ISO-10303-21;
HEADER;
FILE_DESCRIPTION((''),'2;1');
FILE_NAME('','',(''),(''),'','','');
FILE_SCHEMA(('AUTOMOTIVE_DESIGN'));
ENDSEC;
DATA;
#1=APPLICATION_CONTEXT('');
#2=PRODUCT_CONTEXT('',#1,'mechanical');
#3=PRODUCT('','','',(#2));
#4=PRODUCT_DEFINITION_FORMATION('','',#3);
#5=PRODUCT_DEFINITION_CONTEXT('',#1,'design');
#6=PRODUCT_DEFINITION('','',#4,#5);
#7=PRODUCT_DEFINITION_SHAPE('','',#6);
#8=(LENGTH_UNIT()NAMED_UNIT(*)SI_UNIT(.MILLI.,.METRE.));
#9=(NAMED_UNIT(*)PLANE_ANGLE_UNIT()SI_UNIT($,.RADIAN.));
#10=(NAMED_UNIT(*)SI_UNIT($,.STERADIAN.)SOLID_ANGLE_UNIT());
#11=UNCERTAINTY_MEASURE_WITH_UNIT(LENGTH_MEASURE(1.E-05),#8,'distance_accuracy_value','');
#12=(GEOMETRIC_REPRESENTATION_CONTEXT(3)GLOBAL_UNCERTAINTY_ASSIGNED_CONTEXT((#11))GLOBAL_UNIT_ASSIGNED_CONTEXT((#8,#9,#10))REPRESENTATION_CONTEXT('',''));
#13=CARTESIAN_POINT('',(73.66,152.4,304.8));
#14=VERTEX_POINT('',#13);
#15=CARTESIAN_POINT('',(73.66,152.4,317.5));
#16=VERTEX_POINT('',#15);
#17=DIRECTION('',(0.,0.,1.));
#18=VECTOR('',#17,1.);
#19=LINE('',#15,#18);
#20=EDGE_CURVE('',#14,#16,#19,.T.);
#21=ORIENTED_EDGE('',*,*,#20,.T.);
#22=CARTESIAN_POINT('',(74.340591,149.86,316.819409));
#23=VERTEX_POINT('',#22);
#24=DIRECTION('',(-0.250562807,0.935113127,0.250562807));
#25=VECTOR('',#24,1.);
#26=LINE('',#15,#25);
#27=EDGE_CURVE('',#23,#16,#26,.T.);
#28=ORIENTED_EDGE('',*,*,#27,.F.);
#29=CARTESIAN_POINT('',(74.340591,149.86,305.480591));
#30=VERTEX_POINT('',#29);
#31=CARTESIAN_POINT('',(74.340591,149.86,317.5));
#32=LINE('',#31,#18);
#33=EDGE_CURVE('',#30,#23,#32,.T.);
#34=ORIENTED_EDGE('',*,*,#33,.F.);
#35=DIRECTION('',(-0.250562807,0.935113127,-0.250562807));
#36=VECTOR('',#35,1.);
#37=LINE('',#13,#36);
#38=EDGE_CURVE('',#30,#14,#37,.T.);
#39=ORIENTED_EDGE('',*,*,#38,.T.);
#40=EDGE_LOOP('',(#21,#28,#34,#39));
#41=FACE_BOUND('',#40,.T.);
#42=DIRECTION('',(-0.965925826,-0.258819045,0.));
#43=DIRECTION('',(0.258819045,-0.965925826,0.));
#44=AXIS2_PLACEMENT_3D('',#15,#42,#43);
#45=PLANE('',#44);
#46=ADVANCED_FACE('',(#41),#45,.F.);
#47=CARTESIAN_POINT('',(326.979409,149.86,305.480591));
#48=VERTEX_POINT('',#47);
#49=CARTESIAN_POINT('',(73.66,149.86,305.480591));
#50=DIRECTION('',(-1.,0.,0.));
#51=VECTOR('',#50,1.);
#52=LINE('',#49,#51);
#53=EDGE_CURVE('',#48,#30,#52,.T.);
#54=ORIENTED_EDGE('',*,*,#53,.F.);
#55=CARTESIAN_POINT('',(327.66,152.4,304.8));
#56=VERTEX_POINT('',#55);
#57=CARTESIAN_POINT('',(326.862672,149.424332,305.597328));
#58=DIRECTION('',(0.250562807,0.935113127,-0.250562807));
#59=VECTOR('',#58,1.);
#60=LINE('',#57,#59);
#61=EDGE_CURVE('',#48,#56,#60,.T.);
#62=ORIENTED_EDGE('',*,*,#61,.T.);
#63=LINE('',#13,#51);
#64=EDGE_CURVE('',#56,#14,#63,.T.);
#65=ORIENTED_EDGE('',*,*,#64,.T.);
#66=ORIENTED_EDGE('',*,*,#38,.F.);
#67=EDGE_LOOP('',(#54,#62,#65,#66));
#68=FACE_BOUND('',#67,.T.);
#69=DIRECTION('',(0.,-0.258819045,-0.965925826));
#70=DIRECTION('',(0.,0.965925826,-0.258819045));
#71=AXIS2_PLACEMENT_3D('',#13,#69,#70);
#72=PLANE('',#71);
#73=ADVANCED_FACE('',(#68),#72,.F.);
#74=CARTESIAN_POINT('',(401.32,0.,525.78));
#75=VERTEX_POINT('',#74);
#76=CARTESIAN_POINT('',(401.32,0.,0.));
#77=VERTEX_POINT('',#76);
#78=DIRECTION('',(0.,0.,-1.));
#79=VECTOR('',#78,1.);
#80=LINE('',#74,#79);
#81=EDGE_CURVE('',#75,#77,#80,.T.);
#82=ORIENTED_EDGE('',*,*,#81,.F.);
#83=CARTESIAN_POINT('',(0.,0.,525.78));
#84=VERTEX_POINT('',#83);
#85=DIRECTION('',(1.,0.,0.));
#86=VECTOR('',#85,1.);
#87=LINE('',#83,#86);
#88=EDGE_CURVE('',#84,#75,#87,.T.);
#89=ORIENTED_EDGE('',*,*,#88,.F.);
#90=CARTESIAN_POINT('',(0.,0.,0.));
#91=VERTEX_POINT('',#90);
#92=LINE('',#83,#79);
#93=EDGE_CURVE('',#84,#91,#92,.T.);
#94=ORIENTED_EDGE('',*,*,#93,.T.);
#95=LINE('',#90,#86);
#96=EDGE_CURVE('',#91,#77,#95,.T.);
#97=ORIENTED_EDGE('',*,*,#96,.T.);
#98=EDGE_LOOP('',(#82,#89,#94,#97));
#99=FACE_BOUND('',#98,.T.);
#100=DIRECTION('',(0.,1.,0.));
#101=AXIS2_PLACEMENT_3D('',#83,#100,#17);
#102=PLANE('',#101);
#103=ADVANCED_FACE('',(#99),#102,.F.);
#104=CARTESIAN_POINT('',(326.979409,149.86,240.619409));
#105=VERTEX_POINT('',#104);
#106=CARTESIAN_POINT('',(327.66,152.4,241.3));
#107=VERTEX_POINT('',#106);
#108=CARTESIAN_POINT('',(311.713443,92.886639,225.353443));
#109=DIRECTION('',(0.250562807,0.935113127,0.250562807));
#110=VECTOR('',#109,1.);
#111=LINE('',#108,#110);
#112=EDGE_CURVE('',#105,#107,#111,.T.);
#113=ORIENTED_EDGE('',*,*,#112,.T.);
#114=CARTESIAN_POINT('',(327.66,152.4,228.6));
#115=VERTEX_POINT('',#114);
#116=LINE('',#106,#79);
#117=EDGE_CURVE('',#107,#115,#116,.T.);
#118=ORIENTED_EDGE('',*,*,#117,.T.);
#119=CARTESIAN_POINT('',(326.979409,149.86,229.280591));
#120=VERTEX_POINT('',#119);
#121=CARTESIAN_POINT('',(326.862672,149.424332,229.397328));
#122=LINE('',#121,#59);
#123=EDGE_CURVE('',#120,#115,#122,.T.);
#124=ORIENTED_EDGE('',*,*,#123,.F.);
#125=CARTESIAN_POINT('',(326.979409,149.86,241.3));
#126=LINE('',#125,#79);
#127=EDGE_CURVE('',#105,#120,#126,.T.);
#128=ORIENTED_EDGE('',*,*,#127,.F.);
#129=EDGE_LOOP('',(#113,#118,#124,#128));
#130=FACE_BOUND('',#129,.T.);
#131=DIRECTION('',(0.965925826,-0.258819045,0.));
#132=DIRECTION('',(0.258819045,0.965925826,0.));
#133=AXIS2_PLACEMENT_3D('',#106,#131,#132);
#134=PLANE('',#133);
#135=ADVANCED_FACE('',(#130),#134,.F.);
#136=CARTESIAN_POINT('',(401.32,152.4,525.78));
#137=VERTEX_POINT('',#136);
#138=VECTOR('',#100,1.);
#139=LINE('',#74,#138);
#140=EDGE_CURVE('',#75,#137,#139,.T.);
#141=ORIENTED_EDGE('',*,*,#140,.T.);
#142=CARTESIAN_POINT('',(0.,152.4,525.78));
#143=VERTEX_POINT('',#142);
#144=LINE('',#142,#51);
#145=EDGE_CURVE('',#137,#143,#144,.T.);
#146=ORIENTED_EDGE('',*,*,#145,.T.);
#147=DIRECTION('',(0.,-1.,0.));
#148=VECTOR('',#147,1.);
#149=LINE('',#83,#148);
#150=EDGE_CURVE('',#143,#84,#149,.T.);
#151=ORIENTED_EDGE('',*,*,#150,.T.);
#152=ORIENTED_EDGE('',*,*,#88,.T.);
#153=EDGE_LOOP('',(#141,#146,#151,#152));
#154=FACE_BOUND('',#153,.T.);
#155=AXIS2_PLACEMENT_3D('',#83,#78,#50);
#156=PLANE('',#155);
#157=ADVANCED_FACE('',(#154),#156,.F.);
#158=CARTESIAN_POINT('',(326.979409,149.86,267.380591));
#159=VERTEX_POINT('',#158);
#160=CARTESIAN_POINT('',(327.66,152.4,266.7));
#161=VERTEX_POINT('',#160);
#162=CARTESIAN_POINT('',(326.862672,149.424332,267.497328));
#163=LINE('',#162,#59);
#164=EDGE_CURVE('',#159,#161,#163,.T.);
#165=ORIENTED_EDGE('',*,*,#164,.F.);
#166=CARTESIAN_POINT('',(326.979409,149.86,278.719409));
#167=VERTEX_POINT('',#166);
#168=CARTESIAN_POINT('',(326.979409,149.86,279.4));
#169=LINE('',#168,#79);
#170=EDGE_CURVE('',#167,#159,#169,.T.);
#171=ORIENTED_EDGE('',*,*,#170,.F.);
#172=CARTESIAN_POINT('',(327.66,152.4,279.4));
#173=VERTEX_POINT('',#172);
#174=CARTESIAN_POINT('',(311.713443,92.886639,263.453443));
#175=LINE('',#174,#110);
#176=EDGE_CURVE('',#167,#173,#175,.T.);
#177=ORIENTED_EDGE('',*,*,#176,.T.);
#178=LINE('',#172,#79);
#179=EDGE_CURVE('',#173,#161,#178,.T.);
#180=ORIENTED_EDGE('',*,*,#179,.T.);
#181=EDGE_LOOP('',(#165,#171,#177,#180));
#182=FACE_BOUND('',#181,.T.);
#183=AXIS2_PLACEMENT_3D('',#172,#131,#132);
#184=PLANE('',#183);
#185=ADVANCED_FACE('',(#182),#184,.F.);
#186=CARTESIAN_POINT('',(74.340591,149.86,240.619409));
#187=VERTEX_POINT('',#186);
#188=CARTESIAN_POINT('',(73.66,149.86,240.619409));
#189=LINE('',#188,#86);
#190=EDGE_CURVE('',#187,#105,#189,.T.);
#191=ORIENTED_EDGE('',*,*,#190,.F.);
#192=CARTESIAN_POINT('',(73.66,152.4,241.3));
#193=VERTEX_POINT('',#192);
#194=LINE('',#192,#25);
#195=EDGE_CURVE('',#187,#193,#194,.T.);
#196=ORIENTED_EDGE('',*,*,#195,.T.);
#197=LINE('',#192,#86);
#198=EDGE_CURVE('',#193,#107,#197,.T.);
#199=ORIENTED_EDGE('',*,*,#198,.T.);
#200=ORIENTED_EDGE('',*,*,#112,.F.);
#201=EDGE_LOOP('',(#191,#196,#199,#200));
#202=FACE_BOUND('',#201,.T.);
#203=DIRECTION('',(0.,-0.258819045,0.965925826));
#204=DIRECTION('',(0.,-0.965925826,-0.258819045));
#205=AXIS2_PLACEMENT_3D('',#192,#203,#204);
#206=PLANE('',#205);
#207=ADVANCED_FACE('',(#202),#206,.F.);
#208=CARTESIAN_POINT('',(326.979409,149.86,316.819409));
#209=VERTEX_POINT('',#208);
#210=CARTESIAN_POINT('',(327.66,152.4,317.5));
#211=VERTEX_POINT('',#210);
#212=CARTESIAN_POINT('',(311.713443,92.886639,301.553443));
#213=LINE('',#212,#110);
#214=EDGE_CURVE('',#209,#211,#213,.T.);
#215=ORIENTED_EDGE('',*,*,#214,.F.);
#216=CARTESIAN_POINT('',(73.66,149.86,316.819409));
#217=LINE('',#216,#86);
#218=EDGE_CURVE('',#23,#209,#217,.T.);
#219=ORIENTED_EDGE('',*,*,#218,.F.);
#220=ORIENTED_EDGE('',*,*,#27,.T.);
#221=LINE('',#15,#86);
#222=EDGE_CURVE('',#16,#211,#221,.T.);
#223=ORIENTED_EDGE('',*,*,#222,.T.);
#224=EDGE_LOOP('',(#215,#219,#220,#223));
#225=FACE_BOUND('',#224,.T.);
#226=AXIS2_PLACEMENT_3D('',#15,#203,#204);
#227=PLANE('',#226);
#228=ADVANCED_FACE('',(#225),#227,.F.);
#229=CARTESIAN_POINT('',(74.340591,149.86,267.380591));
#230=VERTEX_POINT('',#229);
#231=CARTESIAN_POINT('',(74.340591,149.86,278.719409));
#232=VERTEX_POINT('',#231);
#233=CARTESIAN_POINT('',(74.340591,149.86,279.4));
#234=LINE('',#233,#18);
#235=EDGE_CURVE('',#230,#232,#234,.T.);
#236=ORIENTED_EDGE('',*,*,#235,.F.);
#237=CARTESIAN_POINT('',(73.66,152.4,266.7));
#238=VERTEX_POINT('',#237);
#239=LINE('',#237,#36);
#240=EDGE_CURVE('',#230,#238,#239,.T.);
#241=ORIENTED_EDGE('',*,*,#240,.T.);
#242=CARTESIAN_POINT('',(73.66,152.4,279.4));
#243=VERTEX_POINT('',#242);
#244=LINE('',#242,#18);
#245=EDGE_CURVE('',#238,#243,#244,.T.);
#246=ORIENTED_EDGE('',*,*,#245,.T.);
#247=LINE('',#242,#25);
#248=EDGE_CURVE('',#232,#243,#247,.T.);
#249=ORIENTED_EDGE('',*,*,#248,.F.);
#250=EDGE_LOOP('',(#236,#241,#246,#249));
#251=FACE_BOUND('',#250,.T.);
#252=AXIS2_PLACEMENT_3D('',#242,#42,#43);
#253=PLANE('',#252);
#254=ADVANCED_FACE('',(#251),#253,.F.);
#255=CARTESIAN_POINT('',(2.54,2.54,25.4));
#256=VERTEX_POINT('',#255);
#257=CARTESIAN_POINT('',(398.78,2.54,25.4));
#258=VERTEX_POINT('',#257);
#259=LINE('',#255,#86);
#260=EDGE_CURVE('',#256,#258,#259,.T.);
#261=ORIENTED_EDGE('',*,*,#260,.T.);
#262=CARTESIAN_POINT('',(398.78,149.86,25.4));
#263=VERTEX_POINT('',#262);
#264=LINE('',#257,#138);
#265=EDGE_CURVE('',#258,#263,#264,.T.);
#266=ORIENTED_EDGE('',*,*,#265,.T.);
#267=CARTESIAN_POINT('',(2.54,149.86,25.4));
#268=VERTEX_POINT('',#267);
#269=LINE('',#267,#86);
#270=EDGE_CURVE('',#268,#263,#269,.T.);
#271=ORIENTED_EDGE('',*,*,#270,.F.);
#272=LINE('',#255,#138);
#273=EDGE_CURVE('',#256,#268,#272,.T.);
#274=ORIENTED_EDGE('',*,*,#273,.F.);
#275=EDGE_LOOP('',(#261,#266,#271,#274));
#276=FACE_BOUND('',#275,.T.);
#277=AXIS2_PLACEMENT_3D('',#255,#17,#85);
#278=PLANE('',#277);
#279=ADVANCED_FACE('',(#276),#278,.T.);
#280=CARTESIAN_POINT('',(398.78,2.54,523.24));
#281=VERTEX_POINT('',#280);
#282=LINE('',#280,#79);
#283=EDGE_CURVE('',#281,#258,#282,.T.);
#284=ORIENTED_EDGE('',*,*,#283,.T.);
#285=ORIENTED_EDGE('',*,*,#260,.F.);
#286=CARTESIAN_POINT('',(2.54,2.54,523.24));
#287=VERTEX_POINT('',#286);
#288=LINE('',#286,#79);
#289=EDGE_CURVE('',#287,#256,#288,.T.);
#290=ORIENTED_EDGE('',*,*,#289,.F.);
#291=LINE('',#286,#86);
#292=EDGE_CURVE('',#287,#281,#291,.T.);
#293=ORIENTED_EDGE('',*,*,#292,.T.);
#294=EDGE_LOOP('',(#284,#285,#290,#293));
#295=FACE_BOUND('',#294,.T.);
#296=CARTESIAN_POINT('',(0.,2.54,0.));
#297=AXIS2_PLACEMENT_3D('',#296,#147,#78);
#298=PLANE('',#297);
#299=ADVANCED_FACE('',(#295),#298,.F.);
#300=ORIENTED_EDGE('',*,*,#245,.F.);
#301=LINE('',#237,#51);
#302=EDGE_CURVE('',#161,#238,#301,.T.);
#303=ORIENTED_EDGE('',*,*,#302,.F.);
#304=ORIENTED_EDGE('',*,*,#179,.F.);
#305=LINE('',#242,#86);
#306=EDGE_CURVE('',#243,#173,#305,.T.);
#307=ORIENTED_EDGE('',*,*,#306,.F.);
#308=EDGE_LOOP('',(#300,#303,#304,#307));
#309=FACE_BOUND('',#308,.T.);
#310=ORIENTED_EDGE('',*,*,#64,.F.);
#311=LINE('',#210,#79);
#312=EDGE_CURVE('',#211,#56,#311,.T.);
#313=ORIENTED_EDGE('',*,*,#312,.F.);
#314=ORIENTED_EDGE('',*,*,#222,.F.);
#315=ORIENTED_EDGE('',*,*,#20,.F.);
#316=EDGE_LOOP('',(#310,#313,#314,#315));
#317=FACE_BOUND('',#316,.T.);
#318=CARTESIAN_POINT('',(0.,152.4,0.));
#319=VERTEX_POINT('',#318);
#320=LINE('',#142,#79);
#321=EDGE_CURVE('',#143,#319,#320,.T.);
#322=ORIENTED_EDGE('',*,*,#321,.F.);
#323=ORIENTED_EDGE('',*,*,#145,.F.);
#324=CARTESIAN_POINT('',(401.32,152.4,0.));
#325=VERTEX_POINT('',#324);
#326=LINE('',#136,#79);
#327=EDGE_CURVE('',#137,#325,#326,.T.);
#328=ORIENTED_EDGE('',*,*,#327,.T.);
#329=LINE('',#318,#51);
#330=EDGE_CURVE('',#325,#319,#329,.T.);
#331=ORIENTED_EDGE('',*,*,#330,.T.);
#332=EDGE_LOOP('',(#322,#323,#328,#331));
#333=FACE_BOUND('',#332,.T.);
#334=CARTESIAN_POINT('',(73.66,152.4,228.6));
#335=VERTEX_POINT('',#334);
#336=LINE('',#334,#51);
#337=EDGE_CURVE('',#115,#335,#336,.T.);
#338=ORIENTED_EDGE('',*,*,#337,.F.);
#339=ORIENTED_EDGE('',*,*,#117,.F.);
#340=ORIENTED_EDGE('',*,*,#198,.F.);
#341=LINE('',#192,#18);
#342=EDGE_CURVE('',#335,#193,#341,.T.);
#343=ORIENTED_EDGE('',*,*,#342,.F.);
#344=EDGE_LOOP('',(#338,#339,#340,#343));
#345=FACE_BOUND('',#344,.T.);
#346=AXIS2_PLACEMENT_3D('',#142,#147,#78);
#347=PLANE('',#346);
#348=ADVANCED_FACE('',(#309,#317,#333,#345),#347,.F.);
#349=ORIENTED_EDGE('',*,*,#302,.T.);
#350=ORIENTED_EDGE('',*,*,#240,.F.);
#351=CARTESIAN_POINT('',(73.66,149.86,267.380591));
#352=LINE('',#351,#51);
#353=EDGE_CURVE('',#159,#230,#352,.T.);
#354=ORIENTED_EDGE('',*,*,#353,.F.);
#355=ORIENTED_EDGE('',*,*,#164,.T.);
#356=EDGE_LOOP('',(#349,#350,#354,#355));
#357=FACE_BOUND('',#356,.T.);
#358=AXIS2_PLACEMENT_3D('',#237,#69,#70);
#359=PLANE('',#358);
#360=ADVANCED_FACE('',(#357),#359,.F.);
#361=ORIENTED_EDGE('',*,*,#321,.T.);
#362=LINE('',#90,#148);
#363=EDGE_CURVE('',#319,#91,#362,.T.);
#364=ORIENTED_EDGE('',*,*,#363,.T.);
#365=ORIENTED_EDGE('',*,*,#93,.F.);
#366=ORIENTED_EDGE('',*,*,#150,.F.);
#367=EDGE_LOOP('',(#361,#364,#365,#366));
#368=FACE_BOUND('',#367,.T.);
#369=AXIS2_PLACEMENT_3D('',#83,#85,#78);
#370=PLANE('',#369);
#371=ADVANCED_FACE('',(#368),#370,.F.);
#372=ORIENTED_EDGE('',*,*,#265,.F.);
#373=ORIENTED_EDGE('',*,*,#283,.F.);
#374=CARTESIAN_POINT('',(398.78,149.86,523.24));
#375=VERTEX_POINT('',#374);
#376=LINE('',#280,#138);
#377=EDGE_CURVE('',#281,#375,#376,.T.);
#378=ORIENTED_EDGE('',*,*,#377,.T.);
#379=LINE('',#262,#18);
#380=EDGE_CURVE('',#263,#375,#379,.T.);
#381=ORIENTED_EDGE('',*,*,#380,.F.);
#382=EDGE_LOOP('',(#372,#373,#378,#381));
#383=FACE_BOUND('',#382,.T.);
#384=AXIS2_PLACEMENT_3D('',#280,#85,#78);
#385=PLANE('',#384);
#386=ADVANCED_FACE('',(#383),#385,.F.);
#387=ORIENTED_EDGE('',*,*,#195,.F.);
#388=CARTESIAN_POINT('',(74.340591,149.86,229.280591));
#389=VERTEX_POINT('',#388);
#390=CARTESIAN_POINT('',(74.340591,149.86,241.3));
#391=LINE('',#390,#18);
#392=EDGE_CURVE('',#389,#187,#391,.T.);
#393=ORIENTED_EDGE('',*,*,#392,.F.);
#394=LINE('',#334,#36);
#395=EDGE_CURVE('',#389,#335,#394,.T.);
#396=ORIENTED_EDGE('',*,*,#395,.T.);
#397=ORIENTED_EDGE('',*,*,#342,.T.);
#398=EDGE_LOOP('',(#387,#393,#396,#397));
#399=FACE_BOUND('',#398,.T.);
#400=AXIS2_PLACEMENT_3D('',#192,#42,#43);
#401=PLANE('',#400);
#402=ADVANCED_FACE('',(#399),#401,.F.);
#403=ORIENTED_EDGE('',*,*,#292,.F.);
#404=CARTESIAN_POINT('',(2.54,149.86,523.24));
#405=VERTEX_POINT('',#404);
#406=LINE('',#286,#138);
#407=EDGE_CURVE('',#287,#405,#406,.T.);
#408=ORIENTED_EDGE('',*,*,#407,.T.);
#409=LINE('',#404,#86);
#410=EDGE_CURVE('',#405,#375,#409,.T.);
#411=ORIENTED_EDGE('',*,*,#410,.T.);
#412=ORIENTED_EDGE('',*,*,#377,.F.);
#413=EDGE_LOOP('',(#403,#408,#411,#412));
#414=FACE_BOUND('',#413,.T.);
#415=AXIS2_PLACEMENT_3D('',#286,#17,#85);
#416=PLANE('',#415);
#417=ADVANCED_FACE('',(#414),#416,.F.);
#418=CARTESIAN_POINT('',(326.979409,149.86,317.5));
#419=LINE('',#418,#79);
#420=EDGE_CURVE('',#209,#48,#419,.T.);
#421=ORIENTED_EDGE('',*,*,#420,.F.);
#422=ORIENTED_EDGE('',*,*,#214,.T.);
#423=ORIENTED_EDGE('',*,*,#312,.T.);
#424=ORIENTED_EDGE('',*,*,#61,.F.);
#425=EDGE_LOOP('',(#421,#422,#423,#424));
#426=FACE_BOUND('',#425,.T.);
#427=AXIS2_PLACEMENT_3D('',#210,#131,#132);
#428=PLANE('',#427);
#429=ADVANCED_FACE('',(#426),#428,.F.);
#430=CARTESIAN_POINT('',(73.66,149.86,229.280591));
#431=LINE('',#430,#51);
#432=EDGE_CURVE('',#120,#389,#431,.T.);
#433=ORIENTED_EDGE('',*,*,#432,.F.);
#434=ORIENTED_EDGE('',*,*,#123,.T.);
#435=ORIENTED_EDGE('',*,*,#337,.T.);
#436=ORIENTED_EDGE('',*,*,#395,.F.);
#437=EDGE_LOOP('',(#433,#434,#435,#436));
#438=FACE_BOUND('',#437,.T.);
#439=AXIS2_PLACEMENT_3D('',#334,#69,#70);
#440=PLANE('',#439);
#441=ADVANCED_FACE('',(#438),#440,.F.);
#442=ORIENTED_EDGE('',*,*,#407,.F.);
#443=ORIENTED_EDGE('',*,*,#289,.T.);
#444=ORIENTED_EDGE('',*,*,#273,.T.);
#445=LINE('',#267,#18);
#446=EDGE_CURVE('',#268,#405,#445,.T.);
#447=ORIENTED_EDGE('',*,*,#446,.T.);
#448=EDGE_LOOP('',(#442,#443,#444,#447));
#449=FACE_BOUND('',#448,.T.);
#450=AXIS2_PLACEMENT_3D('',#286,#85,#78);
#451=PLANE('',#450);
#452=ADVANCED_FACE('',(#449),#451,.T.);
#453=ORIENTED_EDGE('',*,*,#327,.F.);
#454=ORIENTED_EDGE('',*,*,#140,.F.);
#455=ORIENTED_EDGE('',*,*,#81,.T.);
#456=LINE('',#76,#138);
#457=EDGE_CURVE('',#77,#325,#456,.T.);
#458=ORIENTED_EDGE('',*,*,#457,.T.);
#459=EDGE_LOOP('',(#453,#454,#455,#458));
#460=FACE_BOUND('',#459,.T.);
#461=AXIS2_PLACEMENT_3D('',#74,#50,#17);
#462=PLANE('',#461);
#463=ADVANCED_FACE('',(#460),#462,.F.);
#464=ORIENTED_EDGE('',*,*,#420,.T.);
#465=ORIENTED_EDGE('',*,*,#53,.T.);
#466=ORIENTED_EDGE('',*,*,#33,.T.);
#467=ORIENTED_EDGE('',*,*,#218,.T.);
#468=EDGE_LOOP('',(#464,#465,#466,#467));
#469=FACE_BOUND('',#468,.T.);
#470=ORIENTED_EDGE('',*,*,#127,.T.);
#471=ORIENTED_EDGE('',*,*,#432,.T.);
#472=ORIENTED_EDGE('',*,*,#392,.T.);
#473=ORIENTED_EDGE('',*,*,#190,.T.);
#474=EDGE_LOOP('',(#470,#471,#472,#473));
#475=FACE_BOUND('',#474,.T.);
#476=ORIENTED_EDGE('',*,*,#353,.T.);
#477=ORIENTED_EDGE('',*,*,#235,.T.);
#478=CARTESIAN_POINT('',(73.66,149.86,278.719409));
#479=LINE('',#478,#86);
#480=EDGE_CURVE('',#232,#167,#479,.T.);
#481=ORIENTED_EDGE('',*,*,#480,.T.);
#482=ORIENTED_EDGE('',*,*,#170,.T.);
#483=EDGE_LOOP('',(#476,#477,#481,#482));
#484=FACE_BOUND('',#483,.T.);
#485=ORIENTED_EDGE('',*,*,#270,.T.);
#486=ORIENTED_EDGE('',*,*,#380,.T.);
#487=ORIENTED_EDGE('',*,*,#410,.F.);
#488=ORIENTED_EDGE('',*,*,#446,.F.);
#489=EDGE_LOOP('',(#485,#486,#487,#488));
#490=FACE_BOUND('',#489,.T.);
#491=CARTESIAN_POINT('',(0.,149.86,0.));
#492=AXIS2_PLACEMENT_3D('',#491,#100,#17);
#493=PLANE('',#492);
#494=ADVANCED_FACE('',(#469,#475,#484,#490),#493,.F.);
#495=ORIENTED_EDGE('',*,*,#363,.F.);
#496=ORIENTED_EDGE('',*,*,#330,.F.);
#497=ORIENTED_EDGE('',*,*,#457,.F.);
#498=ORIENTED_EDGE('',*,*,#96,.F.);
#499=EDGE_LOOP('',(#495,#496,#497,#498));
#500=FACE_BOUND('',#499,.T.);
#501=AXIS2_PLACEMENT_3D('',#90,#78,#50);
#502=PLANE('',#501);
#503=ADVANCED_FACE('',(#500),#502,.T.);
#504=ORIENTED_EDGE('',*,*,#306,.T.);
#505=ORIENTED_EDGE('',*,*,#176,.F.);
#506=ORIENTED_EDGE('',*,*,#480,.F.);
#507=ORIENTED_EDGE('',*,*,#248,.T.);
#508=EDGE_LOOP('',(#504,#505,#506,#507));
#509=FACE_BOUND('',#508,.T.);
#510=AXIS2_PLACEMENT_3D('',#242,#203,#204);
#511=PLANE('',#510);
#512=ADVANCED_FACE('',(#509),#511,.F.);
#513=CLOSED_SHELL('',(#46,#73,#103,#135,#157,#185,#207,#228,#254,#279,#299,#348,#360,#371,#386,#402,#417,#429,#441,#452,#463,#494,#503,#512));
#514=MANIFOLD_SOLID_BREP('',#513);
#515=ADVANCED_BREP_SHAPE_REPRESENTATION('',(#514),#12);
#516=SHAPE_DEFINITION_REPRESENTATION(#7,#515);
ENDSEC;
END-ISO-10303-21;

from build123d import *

# Parameters (mm, degrees)
SKETCH2_W           = 401.32
SKETCH2_H           = 152.4
BOSS_EXTRUDE1_DEPTH = 525.78
SKETCH3_W           = 396.24
SKETCH3_H           = 497.84
CUT_EXTRUDE1_DEPTH  = 149.86
SKETCH4_W           = 396.24
SKETCH4_H           = 497.84
BOSS_EXTRUDE3_DEPTH = 2.54
SKETCH8_W           = 254
SKETCH8_H           = 12.7
CUT_EXTRUDE2_DEPTH  = 2.54
CUT_EXTRUDE2_TAPER  = 15


with BuildPart() as part:
    # Sketch2 → Boss-Extrude1 (new body)
    with BuildSketch(Plane.XY):
        with Locations((200.66, 76.2)):
            Rectangle(SKETCH2_W, SKETCH2_H)
    extrude(amount=BOSS_EXTRUDE1_DEPTH)

    # Sketch3 → Cut-Extrude1 (cut)
    with BuildSketch(Plane(origin=(0, 152.4, 0), x_dir=(1, 0, 0), z_dir=(0, 1, 0))):
        with Locations((200.66, -274.32)):
            Rectangle(SKETCH3_W, SKETCH3_H)
    extrude(amount=-CUT_EXTRUDE1_DEPTH, mode=Mode.SUBTRACT)

    # Sketch4 → Boss-Extrude3 (add)
    with BuildSketch(Plane(origin=(0, 152.4, 0), x_dir=(1, 0, 0), z_dir=(0, 1, 0))):
        with Locations((200.66, -274.32)):
            Rectangle(SKETCH4_W, SKETCH4_H)
    extrude(amount=-BOSS_EXTRUDE3_DEPTH)

    # Sketch8 → Cut-Extrude2 (cut)
    with BuildSketch(Plane(origin=(0, 152.4, 0), x_dir=(1, 0, 0), z_dir=(0, 1, 0))):
        with Locations((200.66, -273.05)):
            Rectangle(SKETCH8_W, SKETCH8_H)
        with Locations((200.66, -234.95)):
            Rectangle(SKETCH8_W, SKETCH8_H)
        with Locations((200.66, -311.15)):
            Rectangle(SKETCH8_W, SKETCH8_H)
    extrude(amount=-CUT_EXTRUDE2_DEPTH, taper=CUT_EXTRUDE2_TAPER, mode=Mode.SUBTRACT)


solid = part.part
